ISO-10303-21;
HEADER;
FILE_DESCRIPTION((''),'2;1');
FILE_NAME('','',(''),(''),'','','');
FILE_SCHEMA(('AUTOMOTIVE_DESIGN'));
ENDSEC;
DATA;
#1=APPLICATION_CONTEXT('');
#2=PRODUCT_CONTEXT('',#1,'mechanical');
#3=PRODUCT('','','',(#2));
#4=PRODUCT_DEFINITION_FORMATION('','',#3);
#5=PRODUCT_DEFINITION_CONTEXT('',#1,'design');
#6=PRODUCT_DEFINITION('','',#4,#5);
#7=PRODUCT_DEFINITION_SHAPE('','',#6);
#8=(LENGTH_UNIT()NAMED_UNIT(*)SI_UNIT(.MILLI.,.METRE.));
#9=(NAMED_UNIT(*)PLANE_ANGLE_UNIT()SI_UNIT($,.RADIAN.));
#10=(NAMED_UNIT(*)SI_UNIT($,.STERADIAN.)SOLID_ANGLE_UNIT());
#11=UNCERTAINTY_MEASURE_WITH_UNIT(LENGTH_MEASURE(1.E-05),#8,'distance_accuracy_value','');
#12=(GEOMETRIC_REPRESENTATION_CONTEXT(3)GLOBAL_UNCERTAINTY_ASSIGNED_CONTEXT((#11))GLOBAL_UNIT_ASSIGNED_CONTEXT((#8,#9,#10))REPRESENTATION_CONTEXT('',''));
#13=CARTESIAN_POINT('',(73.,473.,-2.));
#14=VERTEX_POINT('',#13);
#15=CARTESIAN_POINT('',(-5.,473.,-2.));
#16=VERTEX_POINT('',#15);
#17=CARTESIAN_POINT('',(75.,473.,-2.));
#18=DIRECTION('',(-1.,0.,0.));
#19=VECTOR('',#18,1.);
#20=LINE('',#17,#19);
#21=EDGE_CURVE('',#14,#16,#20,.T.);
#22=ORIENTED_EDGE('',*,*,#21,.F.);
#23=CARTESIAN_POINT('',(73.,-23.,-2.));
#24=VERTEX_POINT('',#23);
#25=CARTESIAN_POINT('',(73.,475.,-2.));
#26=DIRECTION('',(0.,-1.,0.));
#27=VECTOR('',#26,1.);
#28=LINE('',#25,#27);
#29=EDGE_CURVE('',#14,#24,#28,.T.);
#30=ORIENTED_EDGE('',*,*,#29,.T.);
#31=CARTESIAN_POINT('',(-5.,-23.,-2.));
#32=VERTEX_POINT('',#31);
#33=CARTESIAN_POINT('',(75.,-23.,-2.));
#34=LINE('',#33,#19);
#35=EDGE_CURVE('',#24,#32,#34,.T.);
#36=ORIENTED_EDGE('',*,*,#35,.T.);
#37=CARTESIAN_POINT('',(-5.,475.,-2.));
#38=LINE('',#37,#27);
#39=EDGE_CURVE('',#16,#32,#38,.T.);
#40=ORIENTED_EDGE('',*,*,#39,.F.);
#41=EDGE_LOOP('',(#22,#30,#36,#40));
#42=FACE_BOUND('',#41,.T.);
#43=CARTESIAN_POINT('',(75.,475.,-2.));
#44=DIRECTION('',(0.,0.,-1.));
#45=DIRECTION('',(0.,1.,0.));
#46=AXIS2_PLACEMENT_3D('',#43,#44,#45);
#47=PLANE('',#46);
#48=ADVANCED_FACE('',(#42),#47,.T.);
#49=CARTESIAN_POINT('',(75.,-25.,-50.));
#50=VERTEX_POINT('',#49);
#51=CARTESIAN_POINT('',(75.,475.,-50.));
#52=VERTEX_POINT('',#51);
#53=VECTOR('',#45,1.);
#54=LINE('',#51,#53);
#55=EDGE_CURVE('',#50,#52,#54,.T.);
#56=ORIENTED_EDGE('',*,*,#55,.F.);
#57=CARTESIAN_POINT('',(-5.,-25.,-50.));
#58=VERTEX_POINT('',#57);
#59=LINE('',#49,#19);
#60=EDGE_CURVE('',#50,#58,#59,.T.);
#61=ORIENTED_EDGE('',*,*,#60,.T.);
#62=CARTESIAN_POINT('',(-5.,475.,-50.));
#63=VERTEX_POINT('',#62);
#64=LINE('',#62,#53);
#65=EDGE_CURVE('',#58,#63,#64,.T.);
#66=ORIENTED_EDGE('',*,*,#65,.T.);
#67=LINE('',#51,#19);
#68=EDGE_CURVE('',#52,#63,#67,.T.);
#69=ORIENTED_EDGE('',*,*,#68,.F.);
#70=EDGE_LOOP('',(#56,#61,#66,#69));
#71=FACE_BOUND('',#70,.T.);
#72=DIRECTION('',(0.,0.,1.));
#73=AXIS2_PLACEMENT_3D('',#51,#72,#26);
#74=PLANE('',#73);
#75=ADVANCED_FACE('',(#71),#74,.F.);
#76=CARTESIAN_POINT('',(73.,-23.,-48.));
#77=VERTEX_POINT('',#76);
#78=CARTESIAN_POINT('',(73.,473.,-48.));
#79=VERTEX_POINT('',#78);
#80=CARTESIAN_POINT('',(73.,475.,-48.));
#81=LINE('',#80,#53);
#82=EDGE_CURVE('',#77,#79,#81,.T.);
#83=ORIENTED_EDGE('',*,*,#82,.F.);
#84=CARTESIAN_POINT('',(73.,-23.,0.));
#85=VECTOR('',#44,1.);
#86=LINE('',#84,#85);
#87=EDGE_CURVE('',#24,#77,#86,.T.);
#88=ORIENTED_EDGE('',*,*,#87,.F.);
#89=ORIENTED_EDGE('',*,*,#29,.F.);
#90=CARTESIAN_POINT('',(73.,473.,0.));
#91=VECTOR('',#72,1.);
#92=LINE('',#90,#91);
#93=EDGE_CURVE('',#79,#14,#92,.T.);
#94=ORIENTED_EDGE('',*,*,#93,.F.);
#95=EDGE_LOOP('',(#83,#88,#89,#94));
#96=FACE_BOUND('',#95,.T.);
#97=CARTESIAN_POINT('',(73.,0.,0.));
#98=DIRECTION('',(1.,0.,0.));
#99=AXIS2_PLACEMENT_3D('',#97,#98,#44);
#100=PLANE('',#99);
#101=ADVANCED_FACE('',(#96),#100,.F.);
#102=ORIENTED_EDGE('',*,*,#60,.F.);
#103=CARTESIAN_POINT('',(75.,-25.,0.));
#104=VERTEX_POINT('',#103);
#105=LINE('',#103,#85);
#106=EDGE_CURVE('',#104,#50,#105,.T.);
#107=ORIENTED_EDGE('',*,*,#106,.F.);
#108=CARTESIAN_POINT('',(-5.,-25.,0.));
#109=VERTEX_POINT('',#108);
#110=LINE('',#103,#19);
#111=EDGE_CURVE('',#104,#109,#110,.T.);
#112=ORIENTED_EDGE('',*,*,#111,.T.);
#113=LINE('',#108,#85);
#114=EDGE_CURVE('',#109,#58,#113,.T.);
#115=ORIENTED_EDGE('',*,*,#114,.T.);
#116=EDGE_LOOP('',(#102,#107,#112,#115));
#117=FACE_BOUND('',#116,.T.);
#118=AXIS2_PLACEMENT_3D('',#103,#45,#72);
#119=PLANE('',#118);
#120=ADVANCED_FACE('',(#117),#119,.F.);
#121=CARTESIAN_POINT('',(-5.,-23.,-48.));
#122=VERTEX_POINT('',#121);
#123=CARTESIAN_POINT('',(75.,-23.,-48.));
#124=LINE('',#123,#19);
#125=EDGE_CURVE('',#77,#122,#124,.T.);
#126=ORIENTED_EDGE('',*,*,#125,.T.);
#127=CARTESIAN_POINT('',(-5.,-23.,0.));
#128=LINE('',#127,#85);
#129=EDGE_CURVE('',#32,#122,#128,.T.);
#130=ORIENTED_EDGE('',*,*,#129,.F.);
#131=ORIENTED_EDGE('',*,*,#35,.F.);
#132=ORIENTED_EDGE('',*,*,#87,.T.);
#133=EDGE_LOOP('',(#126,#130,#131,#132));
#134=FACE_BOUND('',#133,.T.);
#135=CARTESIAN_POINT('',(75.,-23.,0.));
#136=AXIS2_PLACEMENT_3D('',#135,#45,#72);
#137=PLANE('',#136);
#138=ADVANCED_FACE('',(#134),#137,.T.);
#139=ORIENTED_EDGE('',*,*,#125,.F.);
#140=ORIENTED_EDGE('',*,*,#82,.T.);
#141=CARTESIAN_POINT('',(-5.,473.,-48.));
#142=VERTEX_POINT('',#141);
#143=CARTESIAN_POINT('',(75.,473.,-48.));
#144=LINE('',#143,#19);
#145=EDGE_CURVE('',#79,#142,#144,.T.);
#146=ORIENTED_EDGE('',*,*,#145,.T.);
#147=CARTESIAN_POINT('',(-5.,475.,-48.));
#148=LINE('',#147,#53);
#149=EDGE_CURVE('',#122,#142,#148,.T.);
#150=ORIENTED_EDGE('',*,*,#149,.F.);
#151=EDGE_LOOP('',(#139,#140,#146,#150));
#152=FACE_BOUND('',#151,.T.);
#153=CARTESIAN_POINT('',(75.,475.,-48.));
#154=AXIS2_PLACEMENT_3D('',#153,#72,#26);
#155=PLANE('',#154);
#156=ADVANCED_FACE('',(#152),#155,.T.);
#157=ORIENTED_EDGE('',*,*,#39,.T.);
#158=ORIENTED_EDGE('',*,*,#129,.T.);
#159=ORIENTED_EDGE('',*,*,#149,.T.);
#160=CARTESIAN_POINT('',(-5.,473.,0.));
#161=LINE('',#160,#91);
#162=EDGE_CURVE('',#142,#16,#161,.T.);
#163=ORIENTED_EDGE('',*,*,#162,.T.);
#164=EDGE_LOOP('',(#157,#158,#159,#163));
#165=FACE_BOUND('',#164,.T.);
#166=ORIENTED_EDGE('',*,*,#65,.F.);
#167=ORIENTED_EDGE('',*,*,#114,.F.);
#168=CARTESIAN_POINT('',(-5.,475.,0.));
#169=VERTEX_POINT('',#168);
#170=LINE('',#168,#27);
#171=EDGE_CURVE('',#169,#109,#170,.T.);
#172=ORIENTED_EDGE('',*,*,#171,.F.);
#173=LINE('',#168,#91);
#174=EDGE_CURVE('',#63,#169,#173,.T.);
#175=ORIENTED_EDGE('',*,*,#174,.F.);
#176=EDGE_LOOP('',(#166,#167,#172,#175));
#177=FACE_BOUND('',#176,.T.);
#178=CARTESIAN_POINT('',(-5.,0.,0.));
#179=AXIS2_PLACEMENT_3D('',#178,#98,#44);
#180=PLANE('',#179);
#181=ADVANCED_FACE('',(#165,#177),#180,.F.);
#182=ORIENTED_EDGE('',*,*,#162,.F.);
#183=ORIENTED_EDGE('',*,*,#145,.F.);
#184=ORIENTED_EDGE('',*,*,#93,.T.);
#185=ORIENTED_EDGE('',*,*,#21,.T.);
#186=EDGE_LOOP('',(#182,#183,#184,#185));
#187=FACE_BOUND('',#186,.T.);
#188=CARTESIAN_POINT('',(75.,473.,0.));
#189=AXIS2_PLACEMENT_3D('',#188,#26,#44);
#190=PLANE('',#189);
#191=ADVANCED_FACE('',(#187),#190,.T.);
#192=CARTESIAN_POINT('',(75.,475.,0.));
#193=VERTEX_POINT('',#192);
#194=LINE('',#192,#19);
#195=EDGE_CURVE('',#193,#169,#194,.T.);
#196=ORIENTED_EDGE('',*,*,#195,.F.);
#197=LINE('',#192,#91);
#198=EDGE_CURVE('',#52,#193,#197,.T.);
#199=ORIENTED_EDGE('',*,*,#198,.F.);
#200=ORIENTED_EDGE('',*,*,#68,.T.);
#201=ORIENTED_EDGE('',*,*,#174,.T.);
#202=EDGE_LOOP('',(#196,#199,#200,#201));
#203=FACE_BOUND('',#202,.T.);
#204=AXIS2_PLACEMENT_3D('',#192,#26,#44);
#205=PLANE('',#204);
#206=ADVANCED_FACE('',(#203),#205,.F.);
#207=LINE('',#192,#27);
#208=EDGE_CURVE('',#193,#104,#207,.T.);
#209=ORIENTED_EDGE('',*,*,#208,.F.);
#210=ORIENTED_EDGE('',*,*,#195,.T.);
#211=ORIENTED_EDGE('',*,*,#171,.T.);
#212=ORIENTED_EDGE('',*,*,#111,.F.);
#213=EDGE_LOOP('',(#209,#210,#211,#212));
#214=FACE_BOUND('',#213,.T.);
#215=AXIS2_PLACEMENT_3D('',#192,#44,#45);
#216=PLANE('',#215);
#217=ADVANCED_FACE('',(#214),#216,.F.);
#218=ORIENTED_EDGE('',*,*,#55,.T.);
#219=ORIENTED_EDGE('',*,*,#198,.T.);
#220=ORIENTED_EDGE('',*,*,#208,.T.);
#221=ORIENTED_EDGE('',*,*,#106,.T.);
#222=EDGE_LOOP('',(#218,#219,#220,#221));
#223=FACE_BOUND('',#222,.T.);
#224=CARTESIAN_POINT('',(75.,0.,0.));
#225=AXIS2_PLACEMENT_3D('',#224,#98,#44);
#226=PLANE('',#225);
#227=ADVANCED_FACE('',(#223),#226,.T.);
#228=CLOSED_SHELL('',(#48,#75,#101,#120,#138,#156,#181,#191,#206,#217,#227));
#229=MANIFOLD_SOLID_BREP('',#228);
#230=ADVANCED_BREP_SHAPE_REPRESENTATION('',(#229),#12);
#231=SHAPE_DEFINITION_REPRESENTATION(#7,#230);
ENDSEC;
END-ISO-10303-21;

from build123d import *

# Parameters (mm, degrees)
SKETCH_2_W        = 50
SKETCH_2_H        = 500
SKETCH_2_W_2      = 46
SKETCH_2_H_2      = 496
EXTRUDE_1_DEPTH   = 80
SKETCH_3_W        = 50
SKETCH_3_H        = 500
EXTRUDE_1_2_DEPTH = 2


with BuildPart() as part:
    # 草图2 → Extrude 1 (new body)
    with BuildSketch(Plane(origin=(-5, 0, 0), x_dir=(0, 0, -1), z_dir=(1, 0, 0))):
        with Locations((25, 225)):
            Rectangle(SKETCH_2_W, SKETCH_2_H)
        with Locations((25, 225)):
            Rectangle(SKETCH_2_W_2, SKETCH_2_H_2, mode=Mode.SUBTRACT)
    extrude(amount=EXTRUDE_1_DEPTH)

    # 草图3 → Extrude 1 2 (add)
    with BuildSketch(Plane(origin=(75, 0, 0), x_dir=(0, 0, -1), z_dir=(1, 0, 0))):
        with Locations((25, 225)):
            Rectangle(SKETCH_3_W, SKETCH_3_H)
    extrude(amount=-EXTRUDE_1_2_DEPTH)


solid = part.part
